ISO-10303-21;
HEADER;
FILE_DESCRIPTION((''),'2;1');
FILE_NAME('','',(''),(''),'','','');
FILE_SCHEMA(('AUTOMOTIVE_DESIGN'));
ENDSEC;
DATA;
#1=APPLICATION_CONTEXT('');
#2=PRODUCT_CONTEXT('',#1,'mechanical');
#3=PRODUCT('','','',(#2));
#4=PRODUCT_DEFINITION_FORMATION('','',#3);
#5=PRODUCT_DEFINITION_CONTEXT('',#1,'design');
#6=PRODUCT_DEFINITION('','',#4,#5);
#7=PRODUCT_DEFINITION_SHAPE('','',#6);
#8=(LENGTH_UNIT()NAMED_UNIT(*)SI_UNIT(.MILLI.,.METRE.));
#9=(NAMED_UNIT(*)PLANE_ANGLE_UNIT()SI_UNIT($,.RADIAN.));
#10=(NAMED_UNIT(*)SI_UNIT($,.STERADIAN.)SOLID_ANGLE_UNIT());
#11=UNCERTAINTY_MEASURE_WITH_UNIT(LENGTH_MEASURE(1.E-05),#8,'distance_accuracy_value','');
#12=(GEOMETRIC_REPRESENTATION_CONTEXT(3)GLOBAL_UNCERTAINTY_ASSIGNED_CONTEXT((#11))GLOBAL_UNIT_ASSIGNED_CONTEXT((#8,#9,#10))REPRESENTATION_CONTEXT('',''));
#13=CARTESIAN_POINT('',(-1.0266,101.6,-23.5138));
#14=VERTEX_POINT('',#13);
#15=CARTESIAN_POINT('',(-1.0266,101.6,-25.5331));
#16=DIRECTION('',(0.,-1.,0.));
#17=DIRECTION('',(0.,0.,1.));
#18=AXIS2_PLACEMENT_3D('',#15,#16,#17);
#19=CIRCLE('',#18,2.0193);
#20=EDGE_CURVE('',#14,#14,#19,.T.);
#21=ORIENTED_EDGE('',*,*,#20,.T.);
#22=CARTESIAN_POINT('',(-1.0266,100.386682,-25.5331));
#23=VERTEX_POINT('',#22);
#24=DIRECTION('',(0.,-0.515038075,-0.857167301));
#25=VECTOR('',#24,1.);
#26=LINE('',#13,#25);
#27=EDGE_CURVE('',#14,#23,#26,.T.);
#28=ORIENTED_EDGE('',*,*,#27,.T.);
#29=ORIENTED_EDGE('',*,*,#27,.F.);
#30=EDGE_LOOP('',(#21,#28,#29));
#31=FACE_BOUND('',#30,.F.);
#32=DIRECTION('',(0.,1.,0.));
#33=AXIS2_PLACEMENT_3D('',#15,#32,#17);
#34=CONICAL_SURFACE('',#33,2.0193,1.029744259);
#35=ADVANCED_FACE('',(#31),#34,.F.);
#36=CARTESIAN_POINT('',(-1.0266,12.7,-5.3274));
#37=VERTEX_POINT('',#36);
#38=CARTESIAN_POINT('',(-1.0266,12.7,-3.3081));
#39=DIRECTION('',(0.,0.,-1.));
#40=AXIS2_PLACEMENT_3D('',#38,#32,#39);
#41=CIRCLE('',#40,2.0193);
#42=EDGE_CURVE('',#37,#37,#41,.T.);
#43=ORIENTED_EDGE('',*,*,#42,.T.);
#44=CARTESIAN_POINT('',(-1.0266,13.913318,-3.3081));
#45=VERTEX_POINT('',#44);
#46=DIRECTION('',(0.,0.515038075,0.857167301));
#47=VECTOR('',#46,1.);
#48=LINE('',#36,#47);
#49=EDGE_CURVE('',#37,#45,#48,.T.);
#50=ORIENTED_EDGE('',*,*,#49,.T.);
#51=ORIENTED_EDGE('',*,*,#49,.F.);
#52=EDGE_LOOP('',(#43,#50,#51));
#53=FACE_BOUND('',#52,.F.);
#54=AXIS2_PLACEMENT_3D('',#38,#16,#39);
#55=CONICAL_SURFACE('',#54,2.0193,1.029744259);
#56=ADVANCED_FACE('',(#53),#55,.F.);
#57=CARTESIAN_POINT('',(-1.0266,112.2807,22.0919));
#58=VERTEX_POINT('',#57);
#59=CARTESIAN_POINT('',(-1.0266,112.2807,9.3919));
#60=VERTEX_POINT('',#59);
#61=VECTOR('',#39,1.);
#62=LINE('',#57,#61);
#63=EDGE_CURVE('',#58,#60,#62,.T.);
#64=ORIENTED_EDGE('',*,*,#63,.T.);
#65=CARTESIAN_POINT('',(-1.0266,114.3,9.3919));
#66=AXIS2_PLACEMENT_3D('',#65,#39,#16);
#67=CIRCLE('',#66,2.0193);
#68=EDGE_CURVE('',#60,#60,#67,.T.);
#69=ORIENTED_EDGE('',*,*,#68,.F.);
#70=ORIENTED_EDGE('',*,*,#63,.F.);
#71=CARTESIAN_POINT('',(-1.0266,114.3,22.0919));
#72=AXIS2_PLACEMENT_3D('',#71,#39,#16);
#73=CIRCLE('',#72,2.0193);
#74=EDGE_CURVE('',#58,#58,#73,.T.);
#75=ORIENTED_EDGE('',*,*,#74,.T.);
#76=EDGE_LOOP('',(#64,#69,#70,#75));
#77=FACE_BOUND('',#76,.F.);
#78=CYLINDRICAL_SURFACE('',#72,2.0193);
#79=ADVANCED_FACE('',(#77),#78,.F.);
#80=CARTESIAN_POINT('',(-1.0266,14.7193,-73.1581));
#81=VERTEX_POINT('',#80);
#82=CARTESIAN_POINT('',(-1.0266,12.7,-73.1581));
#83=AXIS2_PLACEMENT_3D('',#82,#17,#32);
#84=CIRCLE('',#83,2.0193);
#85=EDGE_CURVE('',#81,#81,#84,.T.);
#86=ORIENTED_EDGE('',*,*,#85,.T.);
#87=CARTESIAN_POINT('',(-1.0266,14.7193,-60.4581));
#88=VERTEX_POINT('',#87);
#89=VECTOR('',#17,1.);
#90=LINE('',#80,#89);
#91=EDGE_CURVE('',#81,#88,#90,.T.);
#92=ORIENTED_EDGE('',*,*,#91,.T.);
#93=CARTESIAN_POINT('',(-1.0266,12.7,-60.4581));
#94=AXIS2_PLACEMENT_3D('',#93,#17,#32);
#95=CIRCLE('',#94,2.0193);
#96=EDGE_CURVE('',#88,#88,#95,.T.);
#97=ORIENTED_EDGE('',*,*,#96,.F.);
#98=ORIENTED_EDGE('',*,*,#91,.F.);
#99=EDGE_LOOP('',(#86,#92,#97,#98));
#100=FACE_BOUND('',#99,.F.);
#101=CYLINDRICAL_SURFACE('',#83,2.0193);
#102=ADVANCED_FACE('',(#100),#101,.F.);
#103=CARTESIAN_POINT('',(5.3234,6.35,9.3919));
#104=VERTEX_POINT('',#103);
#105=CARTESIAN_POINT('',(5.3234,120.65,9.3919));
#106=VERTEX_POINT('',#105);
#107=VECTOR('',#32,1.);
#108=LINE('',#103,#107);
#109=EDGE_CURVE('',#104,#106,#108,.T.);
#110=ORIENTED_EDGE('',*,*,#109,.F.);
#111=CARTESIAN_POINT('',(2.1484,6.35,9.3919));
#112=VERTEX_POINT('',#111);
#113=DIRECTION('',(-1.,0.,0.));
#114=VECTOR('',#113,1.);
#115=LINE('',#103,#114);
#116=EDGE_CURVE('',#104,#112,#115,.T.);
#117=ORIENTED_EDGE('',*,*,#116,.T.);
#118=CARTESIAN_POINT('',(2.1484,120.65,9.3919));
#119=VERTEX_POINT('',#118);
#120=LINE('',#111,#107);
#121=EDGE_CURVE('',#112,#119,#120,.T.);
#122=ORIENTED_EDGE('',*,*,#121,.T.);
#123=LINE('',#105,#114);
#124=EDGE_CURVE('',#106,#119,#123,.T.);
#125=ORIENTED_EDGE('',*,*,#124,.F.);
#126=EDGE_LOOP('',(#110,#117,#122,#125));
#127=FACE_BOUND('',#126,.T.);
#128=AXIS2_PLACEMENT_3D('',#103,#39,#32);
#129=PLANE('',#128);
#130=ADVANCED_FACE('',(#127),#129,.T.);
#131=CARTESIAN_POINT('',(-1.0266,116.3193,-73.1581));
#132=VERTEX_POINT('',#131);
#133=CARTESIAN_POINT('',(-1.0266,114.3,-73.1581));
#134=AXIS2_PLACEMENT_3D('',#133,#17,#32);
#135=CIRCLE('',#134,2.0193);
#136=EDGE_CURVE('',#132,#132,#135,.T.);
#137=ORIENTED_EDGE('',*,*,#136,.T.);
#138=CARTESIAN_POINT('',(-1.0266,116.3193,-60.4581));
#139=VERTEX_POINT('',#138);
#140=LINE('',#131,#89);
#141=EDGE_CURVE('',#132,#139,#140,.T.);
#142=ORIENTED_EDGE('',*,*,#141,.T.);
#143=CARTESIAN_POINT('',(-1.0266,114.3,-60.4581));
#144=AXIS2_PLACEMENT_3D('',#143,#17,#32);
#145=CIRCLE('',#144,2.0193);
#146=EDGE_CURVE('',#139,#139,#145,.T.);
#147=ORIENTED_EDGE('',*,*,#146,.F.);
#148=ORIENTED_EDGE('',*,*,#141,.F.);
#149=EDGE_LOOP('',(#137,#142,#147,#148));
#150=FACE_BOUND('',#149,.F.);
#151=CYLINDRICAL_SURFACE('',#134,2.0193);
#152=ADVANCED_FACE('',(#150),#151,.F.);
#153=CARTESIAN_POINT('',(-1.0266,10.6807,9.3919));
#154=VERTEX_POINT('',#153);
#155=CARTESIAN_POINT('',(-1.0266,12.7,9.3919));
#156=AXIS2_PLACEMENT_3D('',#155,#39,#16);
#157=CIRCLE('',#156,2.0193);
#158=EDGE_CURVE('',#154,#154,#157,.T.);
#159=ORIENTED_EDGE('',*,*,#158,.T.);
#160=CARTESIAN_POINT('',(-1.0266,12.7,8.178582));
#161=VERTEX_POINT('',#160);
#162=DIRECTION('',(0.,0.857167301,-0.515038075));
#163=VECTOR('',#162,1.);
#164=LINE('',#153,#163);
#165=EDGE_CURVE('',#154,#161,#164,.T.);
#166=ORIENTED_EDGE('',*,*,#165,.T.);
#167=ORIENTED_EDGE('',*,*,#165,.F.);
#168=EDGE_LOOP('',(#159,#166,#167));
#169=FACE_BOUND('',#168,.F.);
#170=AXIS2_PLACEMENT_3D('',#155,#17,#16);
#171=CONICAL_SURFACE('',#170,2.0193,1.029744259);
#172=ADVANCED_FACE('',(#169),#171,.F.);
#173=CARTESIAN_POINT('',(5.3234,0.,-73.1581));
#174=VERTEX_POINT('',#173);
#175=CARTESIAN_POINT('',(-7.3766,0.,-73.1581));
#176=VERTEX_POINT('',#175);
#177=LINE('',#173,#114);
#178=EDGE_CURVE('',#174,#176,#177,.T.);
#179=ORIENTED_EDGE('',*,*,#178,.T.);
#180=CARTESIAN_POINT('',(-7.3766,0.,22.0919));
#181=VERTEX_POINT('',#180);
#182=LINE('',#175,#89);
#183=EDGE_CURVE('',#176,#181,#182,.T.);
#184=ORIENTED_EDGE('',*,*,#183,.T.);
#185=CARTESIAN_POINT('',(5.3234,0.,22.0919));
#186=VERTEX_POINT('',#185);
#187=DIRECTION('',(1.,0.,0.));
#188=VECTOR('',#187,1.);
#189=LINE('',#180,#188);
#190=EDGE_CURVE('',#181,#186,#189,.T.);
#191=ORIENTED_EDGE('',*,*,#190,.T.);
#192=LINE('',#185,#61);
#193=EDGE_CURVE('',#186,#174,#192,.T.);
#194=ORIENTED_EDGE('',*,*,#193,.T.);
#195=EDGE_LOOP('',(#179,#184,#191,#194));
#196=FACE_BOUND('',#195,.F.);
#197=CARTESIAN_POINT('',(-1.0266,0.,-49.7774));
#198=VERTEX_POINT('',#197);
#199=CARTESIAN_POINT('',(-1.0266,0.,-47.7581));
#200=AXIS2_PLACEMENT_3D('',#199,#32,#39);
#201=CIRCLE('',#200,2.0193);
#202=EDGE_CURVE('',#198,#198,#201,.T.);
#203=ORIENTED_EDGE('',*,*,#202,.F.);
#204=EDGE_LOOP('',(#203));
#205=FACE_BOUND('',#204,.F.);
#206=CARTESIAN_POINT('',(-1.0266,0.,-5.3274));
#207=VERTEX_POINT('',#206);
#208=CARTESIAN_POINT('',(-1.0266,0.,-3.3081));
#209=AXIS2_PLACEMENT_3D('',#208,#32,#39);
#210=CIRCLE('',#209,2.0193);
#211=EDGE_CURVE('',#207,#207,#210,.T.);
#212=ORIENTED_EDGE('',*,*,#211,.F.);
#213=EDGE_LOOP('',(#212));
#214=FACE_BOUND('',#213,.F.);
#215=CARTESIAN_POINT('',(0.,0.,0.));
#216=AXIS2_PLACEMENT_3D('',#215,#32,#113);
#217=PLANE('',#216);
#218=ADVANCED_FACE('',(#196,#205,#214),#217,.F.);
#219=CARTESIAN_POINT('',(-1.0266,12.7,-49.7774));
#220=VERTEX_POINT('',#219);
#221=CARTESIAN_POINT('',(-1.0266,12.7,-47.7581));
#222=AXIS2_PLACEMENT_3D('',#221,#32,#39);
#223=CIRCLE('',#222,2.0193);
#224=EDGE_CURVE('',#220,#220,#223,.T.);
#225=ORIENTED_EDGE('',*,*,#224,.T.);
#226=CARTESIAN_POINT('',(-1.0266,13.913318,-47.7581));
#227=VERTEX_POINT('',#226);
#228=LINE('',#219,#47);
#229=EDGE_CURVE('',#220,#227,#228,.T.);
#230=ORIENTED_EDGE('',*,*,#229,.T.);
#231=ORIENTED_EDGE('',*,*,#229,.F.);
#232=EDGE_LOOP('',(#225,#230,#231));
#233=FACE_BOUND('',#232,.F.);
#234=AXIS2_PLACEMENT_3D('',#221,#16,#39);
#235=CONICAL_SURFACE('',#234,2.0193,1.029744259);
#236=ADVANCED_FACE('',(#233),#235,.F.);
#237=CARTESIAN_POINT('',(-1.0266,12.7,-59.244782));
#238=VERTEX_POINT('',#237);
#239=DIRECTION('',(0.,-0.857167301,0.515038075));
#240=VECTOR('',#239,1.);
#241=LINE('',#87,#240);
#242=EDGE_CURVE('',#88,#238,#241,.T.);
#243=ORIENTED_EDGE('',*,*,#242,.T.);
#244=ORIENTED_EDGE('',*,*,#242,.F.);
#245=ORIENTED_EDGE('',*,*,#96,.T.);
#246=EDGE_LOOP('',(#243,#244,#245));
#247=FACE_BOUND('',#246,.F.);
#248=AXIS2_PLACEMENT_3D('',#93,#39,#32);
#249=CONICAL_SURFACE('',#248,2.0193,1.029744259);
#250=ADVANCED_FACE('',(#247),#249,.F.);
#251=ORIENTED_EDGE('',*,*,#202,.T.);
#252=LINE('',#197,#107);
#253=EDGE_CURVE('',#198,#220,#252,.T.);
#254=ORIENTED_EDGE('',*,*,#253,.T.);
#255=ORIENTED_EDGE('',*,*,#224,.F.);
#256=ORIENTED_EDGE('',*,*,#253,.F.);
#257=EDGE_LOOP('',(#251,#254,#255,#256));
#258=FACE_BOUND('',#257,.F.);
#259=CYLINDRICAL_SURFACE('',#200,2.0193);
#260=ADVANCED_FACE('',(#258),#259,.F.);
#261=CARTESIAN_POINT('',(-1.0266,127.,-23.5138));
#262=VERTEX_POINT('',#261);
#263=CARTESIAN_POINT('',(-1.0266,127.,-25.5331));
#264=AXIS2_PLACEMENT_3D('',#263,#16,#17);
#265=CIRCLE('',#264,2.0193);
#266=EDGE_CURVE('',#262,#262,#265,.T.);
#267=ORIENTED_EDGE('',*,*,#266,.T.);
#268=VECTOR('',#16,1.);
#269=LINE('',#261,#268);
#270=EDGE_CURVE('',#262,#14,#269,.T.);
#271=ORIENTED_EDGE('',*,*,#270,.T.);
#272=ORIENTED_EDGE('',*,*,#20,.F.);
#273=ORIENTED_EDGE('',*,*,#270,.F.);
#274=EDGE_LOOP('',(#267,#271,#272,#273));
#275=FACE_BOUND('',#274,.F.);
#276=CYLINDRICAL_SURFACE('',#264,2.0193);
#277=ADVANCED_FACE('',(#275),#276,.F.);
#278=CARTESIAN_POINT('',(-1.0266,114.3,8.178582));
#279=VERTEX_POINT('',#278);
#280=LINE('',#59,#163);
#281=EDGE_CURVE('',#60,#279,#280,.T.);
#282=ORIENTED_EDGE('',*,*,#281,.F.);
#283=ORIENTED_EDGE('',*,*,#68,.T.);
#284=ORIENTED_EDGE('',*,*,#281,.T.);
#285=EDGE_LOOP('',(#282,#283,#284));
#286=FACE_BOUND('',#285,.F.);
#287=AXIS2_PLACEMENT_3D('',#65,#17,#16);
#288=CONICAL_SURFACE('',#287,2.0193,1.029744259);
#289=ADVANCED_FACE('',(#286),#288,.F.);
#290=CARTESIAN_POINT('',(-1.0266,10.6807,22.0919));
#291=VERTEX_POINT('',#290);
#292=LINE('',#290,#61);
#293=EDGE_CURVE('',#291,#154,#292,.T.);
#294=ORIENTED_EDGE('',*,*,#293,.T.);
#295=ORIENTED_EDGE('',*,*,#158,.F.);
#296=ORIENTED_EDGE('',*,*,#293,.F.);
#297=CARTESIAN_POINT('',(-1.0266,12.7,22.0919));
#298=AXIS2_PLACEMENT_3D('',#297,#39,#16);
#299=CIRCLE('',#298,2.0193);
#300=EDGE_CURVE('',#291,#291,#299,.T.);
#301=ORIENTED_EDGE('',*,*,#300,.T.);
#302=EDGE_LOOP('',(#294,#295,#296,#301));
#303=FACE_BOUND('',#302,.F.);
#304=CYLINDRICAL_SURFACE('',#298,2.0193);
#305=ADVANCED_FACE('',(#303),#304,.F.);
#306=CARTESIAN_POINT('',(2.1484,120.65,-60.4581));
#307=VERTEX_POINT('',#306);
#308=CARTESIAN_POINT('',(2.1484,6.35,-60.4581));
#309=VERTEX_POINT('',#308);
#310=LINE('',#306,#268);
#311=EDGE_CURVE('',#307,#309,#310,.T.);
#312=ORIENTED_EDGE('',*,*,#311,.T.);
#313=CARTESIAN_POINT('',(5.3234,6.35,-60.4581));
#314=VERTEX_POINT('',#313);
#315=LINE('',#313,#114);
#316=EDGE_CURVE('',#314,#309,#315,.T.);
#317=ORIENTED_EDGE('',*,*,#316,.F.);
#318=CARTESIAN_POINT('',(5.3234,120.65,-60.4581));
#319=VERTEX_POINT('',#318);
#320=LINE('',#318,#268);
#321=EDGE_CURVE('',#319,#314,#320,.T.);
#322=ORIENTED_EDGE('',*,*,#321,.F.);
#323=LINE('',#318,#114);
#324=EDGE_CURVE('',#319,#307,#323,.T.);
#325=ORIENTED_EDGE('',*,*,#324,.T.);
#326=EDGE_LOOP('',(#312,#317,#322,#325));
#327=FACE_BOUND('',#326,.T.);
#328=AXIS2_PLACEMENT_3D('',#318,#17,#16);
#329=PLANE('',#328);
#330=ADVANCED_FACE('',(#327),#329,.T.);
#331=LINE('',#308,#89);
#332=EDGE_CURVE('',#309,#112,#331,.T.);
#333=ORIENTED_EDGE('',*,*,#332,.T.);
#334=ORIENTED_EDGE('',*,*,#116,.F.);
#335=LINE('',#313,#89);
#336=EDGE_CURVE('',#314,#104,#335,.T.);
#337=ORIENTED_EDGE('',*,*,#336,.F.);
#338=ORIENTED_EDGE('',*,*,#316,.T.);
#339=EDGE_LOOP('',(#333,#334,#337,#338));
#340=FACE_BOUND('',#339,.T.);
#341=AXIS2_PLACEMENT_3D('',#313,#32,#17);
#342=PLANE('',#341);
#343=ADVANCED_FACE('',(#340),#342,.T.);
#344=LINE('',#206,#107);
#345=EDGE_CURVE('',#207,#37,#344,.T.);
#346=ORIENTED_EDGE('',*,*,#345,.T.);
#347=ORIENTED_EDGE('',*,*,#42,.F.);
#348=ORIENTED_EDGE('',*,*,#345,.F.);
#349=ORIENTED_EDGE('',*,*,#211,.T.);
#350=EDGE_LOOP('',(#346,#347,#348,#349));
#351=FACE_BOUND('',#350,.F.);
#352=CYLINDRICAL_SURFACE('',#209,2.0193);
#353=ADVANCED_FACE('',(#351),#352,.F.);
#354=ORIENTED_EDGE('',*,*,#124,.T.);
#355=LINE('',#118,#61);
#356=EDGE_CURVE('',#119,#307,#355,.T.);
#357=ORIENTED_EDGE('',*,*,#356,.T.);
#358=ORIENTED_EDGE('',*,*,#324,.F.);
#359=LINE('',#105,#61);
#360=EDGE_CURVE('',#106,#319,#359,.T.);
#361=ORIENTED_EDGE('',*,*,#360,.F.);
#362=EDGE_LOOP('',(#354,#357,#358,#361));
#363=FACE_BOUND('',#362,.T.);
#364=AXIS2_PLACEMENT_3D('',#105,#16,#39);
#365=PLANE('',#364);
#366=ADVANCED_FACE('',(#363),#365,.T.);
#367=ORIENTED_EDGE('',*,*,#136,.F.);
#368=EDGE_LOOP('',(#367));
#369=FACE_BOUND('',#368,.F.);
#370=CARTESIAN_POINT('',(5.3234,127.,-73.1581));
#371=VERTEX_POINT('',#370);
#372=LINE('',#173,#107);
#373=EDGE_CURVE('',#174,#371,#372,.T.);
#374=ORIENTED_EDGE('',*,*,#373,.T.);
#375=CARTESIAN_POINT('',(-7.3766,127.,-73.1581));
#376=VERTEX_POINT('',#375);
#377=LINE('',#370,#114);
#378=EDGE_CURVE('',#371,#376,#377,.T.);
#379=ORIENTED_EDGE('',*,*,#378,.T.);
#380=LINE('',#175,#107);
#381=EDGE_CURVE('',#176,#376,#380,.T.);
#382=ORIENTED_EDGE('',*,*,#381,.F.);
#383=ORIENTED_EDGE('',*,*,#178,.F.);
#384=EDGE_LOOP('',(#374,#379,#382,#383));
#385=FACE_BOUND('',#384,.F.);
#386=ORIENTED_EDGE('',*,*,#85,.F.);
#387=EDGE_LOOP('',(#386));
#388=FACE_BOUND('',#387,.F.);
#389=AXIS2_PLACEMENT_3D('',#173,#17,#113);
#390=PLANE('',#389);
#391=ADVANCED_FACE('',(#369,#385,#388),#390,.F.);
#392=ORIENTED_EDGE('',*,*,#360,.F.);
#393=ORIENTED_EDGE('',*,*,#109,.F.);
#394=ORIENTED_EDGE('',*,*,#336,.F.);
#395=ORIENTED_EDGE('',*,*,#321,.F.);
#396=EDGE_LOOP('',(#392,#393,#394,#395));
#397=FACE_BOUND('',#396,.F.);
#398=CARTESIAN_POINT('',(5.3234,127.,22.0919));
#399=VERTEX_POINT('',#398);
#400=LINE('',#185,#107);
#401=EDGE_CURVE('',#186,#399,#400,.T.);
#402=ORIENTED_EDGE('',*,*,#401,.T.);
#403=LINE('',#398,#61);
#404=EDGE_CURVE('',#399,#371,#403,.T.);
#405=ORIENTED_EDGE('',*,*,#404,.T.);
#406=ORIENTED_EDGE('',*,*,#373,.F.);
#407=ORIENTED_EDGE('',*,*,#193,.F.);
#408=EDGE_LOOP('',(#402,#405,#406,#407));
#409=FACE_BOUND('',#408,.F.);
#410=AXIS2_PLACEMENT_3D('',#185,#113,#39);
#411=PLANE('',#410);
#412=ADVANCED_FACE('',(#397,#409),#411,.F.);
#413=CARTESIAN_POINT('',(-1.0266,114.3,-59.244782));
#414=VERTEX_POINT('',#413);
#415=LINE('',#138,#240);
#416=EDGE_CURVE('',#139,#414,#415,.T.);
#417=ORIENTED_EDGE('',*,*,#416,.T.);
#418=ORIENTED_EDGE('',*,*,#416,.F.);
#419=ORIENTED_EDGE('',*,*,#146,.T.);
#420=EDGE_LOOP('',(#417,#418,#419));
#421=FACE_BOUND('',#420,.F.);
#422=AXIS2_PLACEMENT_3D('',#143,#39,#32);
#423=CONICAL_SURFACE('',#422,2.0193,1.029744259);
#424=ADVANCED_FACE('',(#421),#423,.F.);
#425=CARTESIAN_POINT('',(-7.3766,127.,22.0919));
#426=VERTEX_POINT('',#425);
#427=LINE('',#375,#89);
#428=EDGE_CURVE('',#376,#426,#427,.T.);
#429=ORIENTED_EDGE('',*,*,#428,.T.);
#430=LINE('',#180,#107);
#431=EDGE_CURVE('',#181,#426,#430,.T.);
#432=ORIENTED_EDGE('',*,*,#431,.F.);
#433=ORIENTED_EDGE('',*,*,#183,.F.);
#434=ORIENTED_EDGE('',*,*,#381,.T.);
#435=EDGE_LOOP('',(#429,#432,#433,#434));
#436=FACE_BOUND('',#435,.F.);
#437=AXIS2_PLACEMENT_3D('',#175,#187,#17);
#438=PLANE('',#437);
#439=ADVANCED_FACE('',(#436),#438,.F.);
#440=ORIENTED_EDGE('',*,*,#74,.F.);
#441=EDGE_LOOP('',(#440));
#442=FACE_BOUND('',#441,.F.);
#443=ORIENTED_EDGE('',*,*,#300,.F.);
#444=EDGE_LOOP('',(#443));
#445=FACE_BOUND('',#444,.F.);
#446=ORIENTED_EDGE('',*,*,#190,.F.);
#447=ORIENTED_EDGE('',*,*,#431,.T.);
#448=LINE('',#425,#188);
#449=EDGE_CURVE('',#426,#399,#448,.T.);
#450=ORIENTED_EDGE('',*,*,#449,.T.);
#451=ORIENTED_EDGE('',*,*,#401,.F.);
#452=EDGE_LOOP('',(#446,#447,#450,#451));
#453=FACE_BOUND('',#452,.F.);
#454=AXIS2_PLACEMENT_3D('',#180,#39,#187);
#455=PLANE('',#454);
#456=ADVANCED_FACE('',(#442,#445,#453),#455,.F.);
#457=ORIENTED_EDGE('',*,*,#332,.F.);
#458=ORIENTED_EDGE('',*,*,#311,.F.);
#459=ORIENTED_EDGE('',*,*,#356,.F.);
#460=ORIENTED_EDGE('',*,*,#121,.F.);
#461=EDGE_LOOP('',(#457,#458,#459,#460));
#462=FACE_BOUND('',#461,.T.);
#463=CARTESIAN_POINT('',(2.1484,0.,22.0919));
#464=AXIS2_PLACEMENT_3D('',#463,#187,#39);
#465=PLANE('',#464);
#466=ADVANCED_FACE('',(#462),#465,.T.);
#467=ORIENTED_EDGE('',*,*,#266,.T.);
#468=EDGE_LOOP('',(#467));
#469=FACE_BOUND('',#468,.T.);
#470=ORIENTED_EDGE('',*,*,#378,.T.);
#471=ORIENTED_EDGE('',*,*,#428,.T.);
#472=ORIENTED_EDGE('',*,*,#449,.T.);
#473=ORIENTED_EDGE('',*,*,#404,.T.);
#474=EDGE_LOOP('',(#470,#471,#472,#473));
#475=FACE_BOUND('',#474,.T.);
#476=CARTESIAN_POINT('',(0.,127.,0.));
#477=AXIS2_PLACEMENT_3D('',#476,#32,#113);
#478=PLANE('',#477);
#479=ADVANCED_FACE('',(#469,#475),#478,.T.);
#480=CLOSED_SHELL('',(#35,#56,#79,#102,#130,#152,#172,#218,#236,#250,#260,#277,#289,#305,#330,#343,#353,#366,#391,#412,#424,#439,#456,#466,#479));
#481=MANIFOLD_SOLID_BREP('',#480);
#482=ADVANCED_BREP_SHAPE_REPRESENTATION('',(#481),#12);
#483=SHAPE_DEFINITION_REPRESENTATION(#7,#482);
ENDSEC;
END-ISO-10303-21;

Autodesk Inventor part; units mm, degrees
ref_plane "YZ Plane" through (0, 0, 0) normal (1, 0, 0) x (0, 1, 0)
ref_plane "XZ Plane" through (0, 0, 0) normal (0, 1, 0) x (-1, 0, 0)
ref_plane "XY Plane" through (0, 0, 0) normal (0, 0, 1) x (1, 0, 0)
sketch "Sketch1" plane through (0, 0, 0) normal (0, 1, 0) x (-1, 0, 0)
  line L0 (7.3766, 22.0919) -> (-5.3234, 22.0919)
  line L1 (-5.3234, 22.0919) -> (-5.3234, -73.1581)
  line L2 (-5.3234, -73.1581) -> (7.3766, -73.1581)
  line L3 (7.3766, -73.1581) -> (7.3766, 22.0919)
  point P0 (0, 0)
  dimension "d0" = 12.7
  dimension "d1" = 95.25
extrude "Extrusion1" add sketch "Sketch1" along normal blind 127
sketch "Sketch2" plane through (-7.3766, 0, 22.0919) normal (0, 0, 1) x (1, 0, 0)
  line L0 (12.7, 0) -> (12.7, 127) projected
  line L1 (12.7, 127) -> (0, 127) projected
  line L2 (0, 0) -> (12.7, 0) projected
  line L3 (0, 0) -> (0, 127) projected
  point P0 (7.3766, 0)
  point P1 (6.35, 114.3)
  point P2 (6.35, 12.7)
  dimension "d4" = 6.35
  dimension "d5" = 12.7
  dimension "d6" = 12.7
  dimension "d7" = 6.35
hole "Hole1" at (-1.0266, 114.3, 22.0919) at (-1.0266, 12.7, 22.0919) direction (0, 0, -1) diameter 4.0386 depth 12.7 tip angle 118
sketch "Sketch3" plane through (5.3234, 0, -73.1581) normal (0, 0, -1) x (-1, 0, 0)
  line L0 (0, 0) -> (12.7, 0) projected
  line L1 (12.7, 0) -> (12.7, 127) projected
  line L2 (0, 127) -> (12.7, 127) projected
  point P0 (5.3234, 0)
  point P1 (6.35, 114.3)
  point P2 (6.35, 12.7)
  dimension "d15" = 12.7
  dimension "d16" = 6.35
  dimension "d17" = 6.35
  dimension "d18" = 12.7
hole "Hole2" at (-1.0266, 114.3, -73.1581) at (-1.0266, 12.7, -73.1581) direction (0, 0, 1) diameter 4.0386 depth 12.7 tip angle 118
sketch "Sketch4" plane through (5.3234, 0, 22.0919) normal (1, 0, 0) x (0, 0, -1)
  line L0 (12.7, 120.65) -> (82.55, 120.65)
  line L1 (82.55, 120.65) -> (82.55, 6.35)
  line L2 (82.55, 6.35) -> (12.7, 6.35)
  line L3 (12.7, 6.35) -> (12.7, 120.65)
  line L4 (95.25, 127) -> (0, 127) projected
  line L5 (95.25, 0) -> (0, 0) projected
  line L6 (95.25, 0) -> (95.25, 127) projected
  line L7 (0, 0) -> (0, 127) projected
  point P0 (22.0919, 0)
  dimension "d26" = 6.35
  dimension "d27" = 6.35
  dimension "d28" = 12.7
  dimension "d29" = 12.7
extrude "Extrusion2" cut sketch "Sketch4" against normal blind 3.175 contours L0 L1 L2 L3
sketch "Sketch5" plane through (0, 127, 0) normal (0, 1, 0) x (1, 0, 0)
  line L0 (-7.3766, -22.0919) -> (5.3234, -22.0919) projected
  line L1 (5.3234, 73.1581) -> (-7.3766, 73.1581) projected
  line L2 (-7.3766, 73.1581) -> (-7.3766, -22.0919) projected
  point P0 (0, 0)
  point P1 (-1.0266, 25.5331)
  dimension "d32" = 95.25
  dimension "d33" = 6.35
  dimension "d34" = 47.625
hole "Hole3" at (-1.0266, 127, -25.5331) direction (0, -1, 0) diameter 4.0386 depth 25.4 tip angle 118
sketch "Sketch6" plane through (0, 0, 0) normal (0, -1, 0) x (1, 0, 0)
  line L0 (-7.3766, -73.1581) -> (-7.3766, 22.0919) projected
  line L1 (-7.3766, 22.0919) -> (5.3234, 22.0919) projected
  line L2 (5.3234, -73.1581) -> (-7.3766, -73.1581) projected
  point P0 (0, 0)
  point P1 (-1.0266, -3.3081)
  point P2 (-1.0266, -47.7581)
  dimension "d42" = 6.35
  dimension "d43" = 6.35
  dimension "d44" = 25.4
  dimension "d45" = 25.4
hole "Hole4" at (-1.0266, 0, -3.3081) at (-1.0266, 0, -47.7581) direction (0, 1, 0) diameter 4.0386 depth 12.7 tip angle 118
properties part number "BatteryHighSide"
